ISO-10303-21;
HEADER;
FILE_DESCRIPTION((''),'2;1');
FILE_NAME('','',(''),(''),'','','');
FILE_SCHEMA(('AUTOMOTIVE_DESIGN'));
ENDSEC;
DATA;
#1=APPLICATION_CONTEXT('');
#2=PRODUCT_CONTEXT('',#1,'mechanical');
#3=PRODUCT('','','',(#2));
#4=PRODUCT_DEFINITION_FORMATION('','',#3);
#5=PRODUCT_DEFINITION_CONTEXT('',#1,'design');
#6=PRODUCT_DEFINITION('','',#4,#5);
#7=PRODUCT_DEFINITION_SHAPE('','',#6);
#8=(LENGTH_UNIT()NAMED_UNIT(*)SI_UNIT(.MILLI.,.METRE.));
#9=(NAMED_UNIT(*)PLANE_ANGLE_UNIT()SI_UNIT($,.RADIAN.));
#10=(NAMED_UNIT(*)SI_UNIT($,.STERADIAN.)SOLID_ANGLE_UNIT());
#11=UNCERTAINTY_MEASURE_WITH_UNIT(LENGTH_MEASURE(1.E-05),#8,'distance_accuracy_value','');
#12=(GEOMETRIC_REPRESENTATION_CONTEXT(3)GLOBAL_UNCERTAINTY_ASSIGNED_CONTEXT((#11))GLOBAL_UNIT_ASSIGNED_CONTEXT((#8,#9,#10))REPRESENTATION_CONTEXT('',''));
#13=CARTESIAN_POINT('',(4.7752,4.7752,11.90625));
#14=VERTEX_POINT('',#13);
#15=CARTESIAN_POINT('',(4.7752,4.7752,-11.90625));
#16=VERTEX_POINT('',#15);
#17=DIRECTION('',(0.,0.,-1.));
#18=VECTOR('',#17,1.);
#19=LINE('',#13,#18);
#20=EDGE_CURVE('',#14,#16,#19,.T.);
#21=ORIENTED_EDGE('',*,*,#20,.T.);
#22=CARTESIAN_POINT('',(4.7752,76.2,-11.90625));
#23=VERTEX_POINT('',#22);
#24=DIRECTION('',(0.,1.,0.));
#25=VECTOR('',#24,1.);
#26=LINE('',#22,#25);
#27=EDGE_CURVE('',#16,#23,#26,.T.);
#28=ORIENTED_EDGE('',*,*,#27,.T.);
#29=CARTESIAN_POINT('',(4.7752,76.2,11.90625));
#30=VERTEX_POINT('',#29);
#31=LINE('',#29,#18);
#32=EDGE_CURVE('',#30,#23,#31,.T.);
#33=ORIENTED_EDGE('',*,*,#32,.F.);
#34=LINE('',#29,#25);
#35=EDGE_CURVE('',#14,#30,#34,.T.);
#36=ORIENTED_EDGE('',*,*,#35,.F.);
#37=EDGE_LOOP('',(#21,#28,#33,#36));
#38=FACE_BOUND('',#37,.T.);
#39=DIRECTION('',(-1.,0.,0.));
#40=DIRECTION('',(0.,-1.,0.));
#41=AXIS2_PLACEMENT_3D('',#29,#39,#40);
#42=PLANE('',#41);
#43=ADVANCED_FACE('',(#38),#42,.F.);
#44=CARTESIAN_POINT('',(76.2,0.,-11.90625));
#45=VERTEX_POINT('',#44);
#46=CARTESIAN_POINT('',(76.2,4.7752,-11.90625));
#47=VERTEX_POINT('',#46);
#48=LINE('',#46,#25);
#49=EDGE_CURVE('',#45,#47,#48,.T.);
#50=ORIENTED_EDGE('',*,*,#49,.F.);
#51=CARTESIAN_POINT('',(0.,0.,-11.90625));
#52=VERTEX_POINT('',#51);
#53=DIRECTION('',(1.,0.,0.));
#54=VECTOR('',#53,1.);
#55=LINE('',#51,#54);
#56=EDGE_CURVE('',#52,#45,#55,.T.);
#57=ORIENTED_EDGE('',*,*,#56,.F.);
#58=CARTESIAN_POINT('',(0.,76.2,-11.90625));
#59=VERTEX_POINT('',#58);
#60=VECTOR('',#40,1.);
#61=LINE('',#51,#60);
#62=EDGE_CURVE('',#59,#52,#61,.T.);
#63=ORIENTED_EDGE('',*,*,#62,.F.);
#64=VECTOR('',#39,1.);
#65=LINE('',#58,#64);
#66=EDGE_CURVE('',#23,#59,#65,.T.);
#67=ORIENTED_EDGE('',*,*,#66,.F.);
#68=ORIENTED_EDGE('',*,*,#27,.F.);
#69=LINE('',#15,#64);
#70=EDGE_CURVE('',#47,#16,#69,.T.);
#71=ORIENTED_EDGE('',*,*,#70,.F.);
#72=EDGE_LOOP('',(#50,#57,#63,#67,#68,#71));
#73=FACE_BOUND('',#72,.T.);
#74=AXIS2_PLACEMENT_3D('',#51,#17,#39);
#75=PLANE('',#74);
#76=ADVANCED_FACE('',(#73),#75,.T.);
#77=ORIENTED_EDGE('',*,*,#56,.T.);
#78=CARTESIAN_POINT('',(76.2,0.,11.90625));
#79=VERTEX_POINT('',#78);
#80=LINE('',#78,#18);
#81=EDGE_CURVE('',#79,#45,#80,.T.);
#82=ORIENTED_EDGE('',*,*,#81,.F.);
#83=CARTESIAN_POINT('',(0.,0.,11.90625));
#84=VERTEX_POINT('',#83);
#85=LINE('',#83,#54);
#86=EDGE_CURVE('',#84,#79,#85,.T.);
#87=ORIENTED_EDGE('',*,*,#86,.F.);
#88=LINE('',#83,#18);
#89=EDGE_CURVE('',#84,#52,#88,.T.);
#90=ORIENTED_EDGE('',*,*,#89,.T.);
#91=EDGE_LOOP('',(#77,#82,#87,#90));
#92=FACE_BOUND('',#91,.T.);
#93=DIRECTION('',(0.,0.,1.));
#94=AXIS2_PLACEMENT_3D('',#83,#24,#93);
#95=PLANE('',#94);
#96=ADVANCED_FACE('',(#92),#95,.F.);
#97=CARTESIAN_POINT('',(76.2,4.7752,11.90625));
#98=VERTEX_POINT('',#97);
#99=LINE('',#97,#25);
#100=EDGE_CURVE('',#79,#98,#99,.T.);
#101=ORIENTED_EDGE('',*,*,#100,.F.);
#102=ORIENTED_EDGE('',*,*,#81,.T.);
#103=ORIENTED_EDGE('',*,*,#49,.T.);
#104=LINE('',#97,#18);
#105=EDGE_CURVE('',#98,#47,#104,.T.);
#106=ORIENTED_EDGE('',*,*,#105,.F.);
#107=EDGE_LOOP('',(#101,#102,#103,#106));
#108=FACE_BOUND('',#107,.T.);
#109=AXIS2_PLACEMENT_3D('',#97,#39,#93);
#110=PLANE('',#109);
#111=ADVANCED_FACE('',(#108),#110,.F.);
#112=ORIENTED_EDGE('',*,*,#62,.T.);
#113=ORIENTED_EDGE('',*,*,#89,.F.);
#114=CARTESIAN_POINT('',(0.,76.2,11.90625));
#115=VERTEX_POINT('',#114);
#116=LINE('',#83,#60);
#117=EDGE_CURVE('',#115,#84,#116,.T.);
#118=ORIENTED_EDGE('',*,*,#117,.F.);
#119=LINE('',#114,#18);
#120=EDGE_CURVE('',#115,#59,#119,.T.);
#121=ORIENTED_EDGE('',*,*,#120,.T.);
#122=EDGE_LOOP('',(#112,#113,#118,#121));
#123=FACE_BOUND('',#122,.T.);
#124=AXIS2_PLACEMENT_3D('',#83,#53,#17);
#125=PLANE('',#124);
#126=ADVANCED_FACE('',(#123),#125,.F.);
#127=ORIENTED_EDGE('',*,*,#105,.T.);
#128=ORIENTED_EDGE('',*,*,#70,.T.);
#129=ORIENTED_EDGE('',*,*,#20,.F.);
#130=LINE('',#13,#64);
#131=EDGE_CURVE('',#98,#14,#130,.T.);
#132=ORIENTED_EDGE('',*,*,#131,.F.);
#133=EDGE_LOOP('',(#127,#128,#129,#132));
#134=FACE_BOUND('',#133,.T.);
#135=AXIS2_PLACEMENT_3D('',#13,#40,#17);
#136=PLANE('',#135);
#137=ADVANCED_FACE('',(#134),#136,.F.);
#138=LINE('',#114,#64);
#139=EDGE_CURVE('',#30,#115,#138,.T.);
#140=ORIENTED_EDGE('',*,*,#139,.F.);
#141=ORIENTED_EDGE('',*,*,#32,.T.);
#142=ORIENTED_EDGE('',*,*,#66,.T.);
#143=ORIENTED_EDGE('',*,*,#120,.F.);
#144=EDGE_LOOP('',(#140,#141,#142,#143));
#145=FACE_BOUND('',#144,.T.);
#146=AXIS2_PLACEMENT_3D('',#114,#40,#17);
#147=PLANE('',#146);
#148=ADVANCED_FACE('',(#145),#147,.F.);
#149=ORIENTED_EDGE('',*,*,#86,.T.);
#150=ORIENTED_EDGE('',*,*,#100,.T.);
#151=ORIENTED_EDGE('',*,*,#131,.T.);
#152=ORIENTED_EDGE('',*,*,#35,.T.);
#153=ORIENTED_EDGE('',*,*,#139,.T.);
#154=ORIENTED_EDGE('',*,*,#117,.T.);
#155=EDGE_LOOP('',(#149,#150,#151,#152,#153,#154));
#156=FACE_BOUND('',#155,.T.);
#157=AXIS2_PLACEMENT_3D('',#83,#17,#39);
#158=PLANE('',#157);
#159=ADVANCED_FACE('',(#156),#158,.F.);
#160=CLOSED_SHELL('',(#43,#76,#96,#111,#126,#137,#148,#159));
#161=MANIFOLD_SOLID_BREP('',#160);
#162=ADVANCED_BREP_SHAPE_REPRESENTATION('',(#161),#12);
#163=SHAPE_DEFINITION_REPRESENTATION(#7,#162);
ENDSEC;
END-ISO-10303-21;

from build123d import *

# Parameters (mm, degrees)
BOSS_EXTRUDE1_DEPTH = 11.90625


with BuildPart() as part:
    # Sketch1 → Boss-Extrude1 (new body, symmetric)
    with BuildSketch(Plane.XY):
        Polygon((0, 0), (0, 76.2), (4.7752, 76.2), (4.7752, 4.7752), (76.2, 4.7752), (76.2, 0), align=None)
    extrude(amount=BOSS_EXTRUDE1_DEPTH, both=True)


solid = part.part
